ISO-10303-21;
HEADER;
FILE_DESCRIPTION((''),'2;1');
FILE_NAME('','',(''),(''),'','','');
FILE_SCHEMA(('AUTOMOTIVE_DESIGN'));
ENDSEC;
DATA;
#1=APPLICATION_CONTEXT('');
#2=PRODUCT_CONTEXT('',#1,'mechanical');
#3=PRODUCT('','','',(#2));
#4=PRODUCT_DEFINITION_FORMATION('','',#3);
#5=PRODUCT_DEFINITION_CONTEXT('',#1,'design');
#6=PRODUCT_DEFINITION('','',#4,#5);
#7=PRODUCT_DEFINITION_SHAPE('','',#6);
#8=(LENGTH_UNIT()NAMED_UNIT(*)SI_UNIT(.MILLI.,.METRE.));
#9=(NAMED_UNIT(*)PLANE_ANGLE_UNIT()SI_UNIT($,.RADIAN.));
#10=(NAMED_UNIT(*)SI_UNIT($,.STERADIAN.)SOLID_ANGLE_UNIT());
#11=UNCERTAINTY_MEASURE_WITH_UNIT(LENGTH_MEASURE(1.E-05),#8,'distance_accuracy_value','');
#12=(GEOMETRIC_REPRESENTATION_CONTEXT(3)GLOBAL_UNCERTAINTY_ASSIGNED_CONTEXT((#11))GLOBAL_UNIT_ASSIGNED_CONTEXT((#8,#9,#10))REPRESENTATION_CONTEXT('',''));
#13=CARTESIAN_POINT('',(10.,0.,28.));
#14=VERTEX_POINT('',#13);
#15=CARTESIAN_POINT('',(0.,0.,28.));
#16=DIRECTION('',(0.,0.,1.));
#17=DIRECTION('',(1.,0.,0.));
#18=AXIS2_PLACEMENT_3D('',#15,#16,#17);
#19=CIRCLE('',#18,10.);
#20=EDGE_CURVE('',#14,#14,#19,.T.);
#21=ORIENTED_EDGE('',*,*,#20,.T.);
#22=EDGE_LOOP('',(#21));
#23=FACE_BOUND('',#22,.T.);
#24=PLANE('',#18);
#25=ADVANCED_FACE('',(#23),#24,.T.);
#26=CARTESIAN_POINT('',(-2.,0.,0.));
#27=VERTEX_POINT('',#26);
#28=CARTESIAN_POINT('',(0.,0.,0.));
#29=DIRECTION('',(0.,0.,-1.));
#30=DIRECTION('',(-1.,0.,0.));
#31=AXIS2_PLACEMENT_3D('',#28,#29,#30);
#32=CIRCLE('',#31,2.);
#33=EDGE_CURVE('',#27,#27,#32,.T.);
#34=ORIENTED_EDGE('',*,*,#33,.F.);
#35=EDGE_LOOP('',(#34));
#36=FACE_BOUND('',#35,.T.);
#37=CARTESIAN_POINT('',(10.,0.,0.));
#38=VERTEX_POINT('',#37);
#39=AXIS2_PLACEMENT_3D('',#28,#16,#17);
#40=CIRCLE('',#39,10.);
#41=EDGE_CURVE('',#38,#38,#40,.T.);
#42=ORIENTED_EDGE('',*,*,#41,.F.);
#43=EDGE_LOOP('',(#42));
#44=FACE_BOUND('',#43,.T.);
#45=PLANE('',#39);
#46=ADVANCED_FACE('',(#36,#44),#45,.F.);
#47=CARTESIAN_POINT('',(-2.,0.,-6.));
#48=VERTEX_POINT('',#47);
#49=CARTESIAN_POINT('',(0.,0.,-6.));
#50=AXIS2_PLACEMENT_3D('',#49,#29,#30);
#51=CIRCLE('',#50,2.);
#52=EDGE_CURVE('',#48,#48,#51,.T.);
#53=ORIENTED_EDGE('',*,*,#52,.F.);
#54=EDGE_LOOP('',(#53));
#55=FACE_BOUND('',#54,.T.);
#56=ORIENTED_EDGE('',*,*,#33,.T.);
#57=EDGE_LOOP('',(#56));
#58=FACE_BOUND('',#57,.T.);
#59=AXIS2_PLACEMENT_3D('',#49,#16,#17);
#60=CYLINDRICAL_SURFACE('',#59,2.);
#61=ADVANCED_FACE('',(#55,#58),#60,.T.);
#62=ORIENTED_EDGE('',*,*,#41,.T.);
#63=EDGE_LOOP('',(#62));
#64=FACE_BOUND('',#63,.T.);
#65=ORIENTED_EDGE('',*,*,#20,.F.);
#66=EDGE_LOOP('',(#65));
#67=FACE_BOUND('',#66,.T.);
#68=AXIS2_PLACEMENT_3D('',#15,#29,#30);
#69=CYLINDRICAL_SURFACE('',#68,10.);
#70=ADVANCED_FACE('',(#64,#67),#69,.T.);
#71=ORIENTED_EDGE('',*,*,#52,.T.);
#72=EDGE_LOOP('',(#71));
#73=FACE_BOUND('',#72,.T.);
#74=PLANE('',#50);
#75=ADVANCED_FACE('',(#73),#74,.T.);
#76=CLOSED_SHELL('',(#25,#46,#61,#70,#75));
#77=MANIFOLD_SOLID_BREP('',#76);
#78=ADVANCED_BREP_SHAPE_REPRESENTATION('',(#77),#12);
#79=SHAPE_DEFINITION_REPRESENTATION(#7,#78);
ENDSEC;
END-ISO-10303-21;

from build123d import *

# Parameters (mm, degrees)
SKETCH1_R           = 10
BOSS_EXTRUDE1_DEPTH = 28
SKETCH2_R           = 2
BOSS_EXTRUDE2_DEPTH = 6


with BuildPart() as part:
    # Sketch1 → Boss-Extrude1 (new body)
    with BuildSketch(Plane.XY):
        Circle(SKETCH1_R)
    extrude(amount=BOSS_EXTRUDE1_DEPTH)

    # Sketch2 → Boss-Extrude2 (add)
    with BuildSketch(Plane(origin=(0, 0, 0), x_dir=(-1, 0, 0), z_dir=(0, 0, -1))):
        Circle(SKETCH2_R)
    extrude(amount=BOSS_EXTRUDE2_DEPTH)


solid = part.part
